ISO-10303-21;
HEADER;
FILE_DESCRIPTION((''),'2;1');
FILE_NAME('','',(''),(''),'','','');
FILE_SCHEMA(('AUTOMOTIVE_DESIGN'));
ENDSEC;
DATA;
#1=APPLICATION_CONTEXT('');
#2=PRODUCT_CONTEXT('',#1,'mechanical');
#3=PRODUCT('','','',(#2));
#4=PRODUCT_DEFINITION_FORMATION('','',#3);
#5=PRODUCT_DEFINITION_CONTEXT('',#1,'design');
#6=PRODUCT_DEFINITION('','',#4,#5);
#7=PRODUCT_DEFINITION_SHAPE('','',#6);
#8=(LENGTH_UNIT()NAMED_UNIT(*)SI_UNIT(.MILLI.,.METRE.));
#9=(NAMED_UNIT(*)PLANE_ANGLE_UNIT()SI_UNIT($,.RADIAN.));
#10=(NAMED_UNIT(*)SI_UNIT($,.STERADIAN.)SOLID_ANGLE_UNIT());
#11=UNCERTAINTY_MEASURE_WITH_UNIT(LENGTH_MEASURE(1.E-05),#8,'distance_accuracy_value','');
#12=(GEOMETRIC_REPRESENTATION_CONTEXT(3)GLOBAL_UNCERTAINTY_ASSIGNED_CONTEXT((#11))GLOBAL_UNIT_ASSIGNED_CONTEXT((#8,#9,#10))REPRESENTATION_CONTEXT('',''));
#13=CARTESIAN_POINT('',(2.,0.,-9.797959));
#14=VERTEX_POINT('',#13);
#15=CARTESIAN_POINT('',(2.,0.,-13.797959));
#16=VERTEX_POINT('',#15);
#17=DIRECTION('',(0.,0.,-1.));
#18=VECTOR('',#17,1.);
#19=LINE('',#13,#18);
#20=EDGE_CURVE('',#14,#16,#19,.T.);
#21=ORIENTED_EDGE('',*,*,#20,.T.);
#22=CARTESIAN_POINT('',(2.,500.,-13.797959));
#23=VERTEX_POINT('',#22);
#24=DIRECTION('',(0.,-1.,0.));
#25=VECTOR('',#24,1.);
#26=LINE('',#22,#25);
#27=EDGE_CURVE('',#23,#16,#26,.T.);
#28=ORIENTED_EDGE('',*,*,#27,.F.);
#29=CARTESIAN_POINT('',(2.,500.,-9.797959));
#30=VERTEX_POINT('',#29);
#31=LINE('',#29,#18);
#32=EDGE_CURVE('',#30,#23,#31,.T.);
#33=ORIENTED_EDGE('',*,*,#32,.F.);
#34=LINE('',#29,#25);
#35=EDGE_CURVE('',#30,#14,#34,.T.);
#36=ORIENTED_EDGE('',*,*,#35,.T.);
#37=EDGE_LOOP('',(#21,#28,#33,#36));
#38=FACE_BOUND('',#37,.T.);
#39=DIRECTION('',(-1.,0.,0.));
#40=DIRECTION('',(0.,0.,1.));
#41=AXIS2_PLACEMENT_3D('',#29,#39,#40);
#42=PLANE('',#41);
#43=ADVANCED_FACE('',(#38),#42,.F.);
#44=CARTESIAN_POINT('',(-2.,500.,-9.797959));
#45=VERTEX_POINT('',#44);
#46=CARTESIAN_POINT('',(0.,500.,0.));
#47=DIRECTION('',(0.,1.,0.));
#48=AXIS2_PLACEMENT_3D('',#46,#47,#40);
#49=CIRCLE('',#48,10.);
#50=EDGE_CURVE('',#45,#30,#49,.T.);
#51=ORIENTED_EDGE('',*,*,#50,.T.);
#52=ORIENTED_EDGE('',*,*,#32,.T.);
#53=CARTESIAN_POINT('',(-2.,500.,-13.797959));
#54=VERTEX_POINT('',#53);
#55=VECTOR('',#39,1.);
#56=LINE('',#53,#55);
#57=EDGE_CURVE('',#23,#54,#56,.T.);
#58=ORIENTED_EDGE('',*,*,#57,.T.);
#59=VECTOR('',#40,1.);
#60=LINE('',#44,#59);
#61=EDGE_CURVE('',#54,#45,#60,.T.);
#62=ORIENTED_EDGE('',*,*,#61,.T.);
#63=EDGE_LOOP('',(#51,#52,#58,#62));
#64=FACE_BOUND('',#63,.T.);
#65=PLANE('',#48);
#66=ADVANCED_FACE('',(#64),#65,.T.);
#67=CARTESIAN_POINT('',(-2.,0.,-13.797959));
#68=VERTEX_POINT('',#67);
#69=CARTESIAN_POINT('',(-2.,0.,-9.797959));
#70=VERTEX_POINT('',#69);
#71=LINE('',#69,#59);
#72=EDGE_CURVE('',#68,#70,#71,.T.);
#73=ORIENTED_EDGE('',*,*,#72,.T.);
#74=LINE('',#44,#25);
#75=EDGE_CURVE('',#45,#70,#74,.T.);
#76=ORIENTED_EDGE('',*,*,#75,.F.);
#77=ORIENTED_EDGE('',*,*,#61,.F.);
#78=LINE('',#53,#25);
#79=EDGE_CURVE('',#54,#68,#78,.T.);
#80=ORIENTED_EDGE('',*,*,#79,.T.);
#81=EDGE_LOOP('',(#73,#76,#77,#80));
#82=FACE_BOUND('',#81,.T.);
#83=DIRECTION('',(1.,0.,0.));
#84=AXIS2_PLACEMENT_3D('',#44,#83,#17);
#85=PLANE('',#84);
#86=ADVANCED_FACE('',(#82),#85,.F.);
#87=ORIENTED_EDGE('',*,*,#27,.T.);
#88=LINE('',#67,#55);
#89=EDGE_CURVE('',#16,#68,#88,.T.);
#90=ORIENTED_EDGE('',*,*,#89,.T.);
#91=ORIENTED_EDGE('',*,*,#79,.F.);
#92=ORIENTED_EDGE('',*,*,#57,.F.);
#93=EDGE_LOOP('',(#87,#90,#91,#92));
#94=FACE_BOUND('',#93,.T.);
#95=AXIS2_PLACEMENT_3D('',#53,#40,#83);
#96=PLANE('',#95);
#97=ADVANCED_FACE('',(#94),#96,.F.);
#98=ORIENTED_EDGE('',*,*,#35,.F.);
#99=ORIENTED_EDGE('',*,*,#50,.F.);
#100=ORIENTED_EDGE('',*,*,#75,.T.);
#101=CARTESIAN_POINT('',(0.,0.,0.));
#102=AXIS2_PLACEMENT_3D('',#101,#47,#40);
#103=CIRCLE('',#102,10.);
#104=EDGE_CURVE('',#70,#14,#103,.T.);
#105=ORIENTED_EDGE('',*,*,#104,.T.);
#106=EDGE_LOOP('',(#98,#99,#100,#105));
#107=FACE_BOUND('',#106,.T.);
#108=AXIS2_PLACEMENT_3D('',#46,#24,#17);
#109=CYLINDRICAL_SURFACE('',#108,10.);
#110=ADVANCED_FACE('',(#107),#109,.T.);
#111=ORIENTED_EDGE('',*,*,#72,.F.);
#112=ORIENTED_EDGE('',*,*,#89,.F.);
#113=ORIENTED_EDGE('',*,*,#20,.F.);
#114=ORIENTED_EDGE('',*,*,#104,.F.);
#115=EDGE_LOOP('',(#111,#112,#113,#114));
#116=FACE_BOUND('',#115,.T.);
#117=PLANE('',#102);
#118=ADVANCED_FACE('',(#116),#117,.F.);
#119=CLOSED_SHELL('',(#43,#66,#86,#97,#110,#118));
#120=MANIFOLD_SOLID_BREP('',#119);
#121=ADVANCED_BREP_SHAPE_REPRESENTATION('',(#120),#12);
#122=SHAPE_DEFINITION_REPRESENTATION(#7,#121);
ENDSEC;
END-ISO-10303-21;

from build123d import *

# Parameters (mm, degrees)
EXTRUDE_1_DEPTH = 500


with BuildPart() as part:
    # 草图1 → 凸台-拉伸1 (new body)
    with BuildSketch(Plane(origin=(0, 0, 0), x_dir=(1, 0, 0), z_dir=(0, 1, 0))):
        with BuildLine():
            Line((-2, 9.797958971), (-2, 13.797958971))
            Line((-2, 13.797958971), (2, 13.797958971))
            Line((2, 13.797958971), (2, 9.797958971))
            ThreePointArc((2, 9.797958971), (0, -10), (-2, 9.797958971))
        make_face()
    extrude(amount=EXTRUDE_1_DEPTH)


solid = part.part
